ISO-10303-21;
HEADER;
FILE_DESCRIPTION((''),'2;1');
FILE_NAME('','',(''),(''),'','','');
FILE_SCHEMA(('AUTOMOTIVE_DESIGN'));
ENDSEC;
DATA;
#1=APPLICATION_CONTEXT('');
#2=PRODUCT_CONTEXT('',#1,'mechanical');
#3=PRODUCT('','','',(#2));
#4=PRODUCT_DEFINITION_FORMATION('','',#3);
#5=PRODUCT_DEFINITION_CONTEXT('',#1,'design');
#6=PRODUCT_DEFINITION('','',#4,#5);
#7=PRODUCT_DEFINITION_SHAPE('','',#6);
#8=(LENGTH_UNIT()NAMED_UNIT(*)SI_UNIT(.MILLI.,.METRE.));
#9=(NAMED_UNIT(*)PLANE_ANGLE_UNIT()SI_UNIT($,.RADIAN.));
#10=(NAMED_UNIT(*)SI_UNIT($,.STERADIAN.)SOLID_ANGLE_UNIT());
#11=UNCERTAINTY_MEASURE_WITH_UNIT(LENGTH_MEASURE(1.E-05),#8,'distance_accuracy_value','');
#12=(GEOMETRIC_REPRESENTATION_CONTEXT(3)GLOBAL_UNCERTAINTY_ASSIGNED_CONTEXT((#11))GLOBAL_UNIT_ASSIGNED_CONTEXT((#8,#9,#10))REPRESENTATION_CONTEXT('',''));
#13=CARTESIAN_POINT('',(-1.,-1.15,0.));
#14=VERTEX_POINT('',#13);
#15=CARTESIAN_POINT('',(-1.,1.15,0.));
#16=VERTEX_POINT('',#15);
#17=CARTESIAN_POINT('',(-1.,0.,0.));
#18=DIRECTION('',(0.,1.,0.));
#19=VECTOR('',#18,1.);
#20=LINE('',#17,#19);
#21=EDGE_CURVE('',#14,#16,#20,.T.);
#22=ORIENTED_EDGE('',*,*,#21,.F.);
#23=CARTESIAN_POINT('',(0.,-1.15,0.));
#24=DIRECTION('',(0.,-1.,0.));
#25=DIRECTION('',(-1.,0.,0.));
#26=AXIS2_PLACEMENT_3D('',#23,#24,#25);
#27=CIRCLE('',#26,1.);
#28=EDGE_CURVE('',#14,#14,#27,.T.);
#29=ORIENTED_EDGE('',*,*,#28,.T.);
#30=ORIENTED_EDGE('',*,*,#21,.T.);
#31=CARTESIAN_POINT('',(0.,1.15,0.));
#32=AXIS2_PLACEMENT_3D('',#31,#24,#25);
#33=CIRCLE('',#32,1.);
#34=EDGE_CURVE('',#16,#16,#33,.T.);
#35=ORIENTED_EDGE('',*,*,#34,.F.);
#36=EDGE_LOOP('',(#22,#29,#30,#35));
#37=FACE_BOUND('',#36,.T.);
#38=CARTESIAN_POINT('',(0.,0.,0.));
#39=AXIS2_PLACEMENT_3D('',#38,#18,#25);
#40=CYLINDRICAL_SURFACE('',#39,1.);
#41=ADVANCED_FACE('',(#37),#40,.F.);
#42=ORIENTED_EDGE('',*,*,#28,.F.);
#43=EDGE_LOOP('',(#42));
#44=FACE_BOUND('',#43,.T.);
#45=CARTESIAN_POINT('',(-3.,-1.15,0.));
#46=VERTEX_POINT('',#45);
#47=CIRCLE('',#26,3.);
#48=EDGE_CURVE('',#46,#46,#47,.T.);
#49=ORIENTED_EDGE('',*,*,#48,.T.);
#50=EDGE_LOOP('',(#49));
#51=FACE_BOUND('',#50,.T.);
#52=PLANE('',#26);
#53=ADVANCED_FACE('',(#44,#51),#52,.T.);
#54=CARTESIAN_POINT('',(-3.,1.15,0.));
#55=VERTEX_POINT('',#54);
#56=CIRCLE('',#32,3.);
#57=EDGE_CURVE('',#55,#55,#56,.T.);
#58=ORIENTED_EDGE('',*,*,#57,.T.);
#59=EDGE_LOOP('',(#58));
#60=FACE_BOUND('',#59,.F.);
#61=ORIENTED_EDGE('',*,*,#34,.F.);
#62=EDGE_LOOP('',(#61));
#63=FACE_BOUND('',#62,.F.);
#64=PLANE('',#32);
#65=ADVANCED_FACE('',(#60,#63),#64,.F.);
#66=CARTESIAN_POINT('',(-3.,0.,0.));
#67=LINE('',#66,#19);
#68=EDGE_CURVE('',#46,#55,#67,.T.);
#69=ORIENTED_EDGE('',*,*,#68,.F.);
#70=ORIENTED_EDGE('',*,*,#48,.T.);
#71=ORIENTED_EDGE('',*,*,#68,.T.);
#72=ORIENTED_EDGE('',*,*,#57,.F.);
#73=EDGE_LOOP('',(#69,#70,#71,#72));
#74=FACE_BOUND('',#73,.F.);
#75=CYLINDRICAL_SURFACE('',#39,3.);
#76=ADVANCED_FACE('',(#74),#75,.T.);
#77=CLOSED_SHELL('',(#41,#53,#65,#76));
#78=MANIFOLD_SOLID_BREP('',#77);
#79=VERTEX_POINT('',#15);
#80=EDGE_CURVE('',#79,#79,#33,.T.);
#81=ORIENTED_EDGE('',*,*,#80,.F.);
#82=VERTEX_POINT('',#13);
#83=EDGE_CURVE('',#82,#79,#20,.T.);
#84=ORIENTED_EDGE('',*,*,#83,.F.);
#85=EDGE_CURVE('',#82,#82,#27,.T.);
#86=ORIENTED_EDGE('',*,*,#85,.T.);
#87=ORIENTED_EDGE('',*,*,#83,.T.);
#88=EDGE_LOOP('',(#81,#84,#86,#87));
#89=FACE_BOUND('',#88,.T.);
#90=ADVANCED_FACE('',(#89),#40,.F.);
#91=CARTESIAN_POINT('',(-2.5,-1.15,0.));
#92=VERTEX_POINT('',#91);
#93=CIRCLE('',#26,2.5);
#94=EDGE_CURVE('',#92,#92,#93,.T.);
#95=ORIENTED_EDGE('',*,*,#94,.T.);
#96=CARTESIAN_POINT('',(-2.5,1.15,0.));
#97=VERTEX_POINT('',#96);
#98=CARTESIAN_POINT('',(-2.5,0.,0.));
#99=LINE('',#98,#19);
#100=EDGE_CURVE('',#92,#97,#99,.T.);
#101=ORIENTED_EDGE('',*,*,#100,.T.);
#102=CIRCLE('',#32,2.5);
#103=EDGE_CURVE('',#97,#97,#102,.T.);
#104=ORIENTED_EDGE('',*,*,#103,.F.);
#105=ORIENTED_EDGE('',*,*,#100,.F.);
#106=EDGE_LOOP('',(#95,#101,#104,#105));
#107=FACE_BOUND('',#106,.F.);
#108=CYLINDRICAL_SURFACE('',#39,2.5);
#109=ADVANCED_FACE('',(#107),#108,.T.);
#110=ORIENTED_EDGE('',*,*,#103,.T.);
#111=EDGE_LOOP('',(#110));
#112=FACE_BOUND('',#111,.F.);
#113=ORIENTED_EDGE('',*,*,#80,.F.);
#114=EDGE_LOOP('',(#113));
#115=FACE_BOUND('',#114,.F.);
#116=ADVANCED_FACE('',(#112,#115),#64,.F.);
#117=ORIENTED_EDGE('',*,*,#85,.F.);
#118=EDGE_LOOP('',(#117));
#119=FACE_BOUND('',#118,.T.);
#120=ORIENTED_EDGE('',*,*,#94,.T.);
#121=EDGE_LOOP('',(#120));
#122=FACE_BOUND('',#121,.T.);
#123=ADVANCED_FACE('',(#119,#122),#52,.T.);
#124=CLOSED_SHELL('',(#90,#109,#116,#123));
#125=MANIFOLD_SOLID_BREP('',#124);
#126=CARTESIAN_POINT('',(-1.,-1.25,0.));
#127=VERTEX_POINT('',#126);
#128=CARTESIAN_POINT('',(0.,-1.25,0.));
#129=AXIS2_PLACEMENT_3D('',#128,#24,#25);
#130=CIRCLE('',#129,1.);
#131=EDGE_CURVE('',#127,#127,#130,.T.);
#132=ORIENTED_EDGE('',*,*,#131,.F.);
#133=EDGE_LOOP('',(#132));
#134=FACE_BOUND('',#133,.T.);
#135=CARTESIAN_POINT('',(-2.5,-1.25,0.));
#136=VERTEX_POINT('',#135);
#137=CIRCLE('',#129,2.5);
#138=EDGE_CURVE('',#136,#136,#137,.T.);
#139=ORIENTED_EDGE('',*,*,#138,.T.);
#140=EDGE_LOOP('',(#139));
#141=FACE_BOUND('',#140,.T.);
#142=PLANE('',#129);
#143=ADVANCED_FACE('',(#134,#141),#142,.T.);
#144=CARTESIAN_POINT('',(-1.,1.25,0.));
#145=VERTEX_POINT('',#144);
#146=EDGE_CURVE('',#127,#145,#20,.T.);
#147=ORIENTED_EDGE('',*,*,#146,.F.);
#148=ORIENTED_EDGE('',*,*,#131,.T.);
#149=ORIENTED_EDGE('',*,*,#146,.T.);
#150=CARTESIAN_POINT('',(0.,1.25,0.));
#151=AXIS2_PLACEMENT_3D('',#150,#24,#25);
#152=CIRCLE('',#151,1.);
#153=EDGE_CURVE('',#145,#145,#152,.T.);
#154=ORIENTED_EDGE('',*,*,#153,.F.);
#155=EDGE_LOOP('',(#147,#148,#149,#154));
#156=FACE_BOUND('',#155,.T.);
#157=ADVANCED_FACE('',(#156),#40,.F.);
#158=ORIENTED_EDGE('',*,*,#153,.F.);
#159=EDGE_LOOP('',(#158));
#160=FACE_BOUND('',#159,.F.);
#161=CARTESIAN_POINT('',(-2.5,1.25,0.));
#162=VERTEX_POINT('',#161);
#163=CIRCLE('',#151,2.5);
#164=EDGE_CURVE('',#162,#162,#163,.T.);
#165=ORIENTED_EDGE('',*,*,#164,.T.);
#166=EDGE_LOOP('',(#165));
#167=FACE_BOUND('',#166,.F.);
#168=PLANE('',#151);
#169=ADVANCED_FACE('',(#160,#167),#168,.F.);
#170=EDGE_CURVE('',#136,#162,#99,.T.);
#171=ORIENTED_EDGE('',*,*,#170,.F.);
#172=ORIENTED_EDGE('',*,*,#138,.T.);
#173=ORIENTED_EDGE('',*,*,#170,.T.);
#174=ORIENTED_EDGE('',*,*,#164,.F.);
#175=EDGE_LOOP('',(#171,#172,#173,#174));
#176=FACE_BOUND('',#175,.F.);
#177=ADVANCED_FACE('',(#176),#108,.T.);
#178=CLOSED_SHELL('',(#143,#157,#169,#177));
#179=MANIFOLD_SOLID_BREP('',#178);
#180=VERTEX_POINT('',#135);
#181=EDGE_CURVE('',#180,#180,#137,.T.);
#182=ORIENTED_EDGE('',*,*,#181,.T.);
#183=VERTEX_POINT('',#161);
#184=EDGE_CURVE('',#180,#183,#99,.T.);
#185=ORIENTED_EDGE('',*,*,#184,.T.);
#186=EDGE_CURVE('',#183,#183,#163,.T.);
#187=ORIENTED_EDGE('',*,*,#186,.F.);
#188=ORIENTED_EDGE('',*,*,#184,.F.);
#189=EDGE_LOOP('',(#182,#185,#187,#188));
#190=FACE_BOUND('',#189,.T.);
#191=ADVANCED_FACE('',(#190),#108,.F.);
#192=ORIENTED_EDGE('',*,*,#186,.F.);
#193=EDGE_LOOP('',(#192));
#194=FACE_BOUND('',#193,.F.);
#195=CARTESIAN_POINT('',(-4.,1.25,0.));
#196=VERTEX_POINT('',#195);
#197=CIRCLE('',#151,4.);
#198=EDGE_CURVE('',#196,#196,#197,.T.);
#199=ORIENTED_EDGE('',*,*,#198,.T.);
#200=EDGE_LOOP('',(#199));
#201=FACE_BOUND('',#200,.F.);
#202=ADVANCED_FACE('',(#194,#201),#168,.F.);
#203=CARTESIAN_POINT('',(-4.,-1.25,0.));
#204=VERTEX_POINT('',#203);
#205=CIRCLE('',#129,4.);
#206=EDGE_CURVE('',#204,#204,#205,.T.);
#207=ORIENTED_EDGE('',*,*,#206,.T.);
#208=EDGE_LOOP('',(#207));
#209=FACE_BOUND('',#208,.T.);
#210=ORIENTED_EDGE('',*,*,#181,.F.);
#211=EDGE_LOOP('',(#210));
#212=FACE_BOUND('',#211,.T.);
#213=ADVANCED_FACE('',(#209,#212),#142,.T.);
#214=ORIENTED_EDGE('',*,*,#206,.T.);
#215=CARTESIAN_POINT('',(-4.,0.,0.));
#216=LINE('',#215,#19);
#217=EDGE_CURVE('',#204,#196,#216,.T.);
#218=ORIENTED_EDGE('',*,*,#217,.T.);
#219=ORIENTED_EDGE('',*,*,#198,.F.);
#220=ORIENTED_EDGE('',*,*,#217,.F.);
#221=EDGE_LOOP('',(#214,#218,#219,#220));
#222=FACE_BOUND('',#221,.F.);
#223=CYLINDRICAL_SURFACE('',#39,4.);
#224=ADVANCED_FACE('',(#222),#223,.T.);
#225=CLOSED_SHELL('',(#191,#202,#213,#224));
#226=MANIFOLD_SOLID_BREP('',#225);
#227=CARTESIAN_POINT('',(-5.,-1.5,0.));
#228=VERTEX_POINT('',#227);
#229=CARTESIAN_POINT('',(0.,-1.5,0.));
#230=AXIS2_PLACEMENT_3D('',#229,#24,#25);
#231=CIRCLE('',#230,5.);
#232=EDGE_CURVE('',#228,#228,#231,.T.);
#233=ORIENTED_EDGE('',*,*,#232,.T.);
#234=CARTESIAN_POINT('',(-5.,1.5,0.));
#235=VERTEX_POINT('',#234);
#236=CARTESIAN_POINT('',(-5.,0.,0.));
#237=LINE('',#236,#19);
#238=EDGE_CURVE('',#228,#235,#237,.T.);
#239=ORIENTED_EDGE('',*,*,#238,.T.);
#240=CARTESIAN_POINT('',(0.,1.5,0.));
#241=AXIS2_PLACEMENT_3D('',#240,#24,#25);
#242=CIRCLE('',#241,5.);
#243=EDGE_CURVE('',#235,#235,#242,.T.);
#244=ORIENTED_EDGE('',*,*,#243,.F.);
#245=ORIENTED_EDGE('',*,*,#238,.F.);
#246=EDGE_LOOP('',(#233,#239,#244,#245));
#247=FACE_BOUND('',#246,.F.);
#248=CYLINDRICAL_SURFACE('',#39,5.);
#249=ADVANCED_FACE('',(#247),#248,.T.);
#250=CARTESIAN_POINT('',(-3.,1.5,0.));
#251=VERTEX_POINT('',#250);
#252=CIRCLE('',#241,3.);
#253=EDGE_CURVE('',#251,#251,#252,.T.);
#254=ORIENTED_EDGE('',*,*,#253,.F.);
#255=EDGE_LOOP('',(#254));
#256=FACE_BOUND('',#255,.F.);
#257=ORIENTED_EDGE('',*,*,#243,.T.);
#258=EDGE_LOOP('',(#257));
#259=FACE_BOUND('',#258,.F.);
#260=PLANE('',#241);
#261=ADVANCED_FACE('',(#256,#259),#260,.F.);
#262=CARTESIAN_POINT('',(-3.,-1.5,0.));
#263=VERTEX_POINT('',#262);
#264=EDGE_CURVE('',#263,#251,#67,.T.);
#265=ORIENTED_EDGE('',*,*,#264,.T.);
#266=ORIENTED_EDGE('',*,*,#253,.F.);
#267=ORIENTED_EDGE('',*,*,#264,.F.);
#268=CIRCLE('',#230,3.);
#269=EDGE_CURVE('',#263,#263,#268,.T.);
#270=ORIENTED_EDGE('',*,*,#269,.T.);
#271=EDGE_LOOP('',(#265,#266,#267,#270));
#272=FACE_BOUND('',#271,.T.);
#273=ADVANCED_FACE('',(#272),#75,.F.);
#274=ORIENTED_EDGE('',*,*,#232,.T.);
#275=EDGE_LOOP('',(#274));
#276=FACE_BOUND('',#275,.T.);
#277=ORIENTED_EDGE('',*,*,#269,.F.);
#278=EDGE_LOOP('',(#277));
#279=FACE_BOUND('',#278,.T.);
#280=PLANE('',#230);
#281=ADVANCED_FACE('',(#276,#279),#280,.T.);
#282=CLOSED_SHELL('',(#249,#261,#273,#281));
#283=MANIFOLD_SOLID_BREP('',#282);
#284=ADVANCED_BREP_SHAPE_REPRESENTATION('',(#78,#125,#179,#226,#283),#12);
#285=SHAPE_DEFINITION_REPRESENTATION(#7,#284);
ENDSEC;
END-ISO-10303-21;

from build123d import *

# Parameters (mm, degrees)
F0_W = 2
F0_H = 3
F2_W = 1.5
F2_H = 2.5
F4_W = 1.5
F4_H = 2.5
F6_W = 1.5
F6_H = 2.3
F8_W = 2
F8_H = 2.3


with BuildPart() as f1:
    # F0 (on Top) → F1 (revolve)
    with BuildSketch(Plane.XY):
        with Locations((-4, 0)):
            Rectangle(F0_W, F0_H)
    revolve(axis=Axis((0, 0, 0), (0, -1, 0)))


with BuildPart() as f3:
    # F2 (on Top) → F3 (revolve)
    with BuildSketch(Plane.XY):
        with Locations((-3.25, 0)):
            Rectangle(F2_W, F2_H)
    revolve(axis=Axis((0, 0, 0), (0, -1, 0)))


with BuildPart() as f5:
    # F4 (on Top) → F5 (revolve)
    with BuildSketch(Plane.XY):
        with Locations((-1.75, 0)):
            Rectangle(F4_W, F4_H)
    revolve(axis=Axis((0, 0, 0), (0, -1, 0)))


with BuildPart() as f7:
    # F6 (on Top) → F7 (revolve)
    with BuildSketch(Plane.XY):
        with Locations((-1.75, 0)):
            Rectangle(F6_W, F6_H)
    revolve(axis=Axis((0, 0, 0), (0, -1, 0)))


with BuildPart() as f9:
    # F8 (on Top) → F9 (revolve)
    with BuildSketch(Plane.XY):
        with Locations((-2, 0)):
            Rectangle(F8_W, F8_H)
    revolve(axis=Axis((0, 0, 0), (0, -1, 0)))


solid = Compound([f1.part, f3.part, f5.part, f7.part, f9.part])
